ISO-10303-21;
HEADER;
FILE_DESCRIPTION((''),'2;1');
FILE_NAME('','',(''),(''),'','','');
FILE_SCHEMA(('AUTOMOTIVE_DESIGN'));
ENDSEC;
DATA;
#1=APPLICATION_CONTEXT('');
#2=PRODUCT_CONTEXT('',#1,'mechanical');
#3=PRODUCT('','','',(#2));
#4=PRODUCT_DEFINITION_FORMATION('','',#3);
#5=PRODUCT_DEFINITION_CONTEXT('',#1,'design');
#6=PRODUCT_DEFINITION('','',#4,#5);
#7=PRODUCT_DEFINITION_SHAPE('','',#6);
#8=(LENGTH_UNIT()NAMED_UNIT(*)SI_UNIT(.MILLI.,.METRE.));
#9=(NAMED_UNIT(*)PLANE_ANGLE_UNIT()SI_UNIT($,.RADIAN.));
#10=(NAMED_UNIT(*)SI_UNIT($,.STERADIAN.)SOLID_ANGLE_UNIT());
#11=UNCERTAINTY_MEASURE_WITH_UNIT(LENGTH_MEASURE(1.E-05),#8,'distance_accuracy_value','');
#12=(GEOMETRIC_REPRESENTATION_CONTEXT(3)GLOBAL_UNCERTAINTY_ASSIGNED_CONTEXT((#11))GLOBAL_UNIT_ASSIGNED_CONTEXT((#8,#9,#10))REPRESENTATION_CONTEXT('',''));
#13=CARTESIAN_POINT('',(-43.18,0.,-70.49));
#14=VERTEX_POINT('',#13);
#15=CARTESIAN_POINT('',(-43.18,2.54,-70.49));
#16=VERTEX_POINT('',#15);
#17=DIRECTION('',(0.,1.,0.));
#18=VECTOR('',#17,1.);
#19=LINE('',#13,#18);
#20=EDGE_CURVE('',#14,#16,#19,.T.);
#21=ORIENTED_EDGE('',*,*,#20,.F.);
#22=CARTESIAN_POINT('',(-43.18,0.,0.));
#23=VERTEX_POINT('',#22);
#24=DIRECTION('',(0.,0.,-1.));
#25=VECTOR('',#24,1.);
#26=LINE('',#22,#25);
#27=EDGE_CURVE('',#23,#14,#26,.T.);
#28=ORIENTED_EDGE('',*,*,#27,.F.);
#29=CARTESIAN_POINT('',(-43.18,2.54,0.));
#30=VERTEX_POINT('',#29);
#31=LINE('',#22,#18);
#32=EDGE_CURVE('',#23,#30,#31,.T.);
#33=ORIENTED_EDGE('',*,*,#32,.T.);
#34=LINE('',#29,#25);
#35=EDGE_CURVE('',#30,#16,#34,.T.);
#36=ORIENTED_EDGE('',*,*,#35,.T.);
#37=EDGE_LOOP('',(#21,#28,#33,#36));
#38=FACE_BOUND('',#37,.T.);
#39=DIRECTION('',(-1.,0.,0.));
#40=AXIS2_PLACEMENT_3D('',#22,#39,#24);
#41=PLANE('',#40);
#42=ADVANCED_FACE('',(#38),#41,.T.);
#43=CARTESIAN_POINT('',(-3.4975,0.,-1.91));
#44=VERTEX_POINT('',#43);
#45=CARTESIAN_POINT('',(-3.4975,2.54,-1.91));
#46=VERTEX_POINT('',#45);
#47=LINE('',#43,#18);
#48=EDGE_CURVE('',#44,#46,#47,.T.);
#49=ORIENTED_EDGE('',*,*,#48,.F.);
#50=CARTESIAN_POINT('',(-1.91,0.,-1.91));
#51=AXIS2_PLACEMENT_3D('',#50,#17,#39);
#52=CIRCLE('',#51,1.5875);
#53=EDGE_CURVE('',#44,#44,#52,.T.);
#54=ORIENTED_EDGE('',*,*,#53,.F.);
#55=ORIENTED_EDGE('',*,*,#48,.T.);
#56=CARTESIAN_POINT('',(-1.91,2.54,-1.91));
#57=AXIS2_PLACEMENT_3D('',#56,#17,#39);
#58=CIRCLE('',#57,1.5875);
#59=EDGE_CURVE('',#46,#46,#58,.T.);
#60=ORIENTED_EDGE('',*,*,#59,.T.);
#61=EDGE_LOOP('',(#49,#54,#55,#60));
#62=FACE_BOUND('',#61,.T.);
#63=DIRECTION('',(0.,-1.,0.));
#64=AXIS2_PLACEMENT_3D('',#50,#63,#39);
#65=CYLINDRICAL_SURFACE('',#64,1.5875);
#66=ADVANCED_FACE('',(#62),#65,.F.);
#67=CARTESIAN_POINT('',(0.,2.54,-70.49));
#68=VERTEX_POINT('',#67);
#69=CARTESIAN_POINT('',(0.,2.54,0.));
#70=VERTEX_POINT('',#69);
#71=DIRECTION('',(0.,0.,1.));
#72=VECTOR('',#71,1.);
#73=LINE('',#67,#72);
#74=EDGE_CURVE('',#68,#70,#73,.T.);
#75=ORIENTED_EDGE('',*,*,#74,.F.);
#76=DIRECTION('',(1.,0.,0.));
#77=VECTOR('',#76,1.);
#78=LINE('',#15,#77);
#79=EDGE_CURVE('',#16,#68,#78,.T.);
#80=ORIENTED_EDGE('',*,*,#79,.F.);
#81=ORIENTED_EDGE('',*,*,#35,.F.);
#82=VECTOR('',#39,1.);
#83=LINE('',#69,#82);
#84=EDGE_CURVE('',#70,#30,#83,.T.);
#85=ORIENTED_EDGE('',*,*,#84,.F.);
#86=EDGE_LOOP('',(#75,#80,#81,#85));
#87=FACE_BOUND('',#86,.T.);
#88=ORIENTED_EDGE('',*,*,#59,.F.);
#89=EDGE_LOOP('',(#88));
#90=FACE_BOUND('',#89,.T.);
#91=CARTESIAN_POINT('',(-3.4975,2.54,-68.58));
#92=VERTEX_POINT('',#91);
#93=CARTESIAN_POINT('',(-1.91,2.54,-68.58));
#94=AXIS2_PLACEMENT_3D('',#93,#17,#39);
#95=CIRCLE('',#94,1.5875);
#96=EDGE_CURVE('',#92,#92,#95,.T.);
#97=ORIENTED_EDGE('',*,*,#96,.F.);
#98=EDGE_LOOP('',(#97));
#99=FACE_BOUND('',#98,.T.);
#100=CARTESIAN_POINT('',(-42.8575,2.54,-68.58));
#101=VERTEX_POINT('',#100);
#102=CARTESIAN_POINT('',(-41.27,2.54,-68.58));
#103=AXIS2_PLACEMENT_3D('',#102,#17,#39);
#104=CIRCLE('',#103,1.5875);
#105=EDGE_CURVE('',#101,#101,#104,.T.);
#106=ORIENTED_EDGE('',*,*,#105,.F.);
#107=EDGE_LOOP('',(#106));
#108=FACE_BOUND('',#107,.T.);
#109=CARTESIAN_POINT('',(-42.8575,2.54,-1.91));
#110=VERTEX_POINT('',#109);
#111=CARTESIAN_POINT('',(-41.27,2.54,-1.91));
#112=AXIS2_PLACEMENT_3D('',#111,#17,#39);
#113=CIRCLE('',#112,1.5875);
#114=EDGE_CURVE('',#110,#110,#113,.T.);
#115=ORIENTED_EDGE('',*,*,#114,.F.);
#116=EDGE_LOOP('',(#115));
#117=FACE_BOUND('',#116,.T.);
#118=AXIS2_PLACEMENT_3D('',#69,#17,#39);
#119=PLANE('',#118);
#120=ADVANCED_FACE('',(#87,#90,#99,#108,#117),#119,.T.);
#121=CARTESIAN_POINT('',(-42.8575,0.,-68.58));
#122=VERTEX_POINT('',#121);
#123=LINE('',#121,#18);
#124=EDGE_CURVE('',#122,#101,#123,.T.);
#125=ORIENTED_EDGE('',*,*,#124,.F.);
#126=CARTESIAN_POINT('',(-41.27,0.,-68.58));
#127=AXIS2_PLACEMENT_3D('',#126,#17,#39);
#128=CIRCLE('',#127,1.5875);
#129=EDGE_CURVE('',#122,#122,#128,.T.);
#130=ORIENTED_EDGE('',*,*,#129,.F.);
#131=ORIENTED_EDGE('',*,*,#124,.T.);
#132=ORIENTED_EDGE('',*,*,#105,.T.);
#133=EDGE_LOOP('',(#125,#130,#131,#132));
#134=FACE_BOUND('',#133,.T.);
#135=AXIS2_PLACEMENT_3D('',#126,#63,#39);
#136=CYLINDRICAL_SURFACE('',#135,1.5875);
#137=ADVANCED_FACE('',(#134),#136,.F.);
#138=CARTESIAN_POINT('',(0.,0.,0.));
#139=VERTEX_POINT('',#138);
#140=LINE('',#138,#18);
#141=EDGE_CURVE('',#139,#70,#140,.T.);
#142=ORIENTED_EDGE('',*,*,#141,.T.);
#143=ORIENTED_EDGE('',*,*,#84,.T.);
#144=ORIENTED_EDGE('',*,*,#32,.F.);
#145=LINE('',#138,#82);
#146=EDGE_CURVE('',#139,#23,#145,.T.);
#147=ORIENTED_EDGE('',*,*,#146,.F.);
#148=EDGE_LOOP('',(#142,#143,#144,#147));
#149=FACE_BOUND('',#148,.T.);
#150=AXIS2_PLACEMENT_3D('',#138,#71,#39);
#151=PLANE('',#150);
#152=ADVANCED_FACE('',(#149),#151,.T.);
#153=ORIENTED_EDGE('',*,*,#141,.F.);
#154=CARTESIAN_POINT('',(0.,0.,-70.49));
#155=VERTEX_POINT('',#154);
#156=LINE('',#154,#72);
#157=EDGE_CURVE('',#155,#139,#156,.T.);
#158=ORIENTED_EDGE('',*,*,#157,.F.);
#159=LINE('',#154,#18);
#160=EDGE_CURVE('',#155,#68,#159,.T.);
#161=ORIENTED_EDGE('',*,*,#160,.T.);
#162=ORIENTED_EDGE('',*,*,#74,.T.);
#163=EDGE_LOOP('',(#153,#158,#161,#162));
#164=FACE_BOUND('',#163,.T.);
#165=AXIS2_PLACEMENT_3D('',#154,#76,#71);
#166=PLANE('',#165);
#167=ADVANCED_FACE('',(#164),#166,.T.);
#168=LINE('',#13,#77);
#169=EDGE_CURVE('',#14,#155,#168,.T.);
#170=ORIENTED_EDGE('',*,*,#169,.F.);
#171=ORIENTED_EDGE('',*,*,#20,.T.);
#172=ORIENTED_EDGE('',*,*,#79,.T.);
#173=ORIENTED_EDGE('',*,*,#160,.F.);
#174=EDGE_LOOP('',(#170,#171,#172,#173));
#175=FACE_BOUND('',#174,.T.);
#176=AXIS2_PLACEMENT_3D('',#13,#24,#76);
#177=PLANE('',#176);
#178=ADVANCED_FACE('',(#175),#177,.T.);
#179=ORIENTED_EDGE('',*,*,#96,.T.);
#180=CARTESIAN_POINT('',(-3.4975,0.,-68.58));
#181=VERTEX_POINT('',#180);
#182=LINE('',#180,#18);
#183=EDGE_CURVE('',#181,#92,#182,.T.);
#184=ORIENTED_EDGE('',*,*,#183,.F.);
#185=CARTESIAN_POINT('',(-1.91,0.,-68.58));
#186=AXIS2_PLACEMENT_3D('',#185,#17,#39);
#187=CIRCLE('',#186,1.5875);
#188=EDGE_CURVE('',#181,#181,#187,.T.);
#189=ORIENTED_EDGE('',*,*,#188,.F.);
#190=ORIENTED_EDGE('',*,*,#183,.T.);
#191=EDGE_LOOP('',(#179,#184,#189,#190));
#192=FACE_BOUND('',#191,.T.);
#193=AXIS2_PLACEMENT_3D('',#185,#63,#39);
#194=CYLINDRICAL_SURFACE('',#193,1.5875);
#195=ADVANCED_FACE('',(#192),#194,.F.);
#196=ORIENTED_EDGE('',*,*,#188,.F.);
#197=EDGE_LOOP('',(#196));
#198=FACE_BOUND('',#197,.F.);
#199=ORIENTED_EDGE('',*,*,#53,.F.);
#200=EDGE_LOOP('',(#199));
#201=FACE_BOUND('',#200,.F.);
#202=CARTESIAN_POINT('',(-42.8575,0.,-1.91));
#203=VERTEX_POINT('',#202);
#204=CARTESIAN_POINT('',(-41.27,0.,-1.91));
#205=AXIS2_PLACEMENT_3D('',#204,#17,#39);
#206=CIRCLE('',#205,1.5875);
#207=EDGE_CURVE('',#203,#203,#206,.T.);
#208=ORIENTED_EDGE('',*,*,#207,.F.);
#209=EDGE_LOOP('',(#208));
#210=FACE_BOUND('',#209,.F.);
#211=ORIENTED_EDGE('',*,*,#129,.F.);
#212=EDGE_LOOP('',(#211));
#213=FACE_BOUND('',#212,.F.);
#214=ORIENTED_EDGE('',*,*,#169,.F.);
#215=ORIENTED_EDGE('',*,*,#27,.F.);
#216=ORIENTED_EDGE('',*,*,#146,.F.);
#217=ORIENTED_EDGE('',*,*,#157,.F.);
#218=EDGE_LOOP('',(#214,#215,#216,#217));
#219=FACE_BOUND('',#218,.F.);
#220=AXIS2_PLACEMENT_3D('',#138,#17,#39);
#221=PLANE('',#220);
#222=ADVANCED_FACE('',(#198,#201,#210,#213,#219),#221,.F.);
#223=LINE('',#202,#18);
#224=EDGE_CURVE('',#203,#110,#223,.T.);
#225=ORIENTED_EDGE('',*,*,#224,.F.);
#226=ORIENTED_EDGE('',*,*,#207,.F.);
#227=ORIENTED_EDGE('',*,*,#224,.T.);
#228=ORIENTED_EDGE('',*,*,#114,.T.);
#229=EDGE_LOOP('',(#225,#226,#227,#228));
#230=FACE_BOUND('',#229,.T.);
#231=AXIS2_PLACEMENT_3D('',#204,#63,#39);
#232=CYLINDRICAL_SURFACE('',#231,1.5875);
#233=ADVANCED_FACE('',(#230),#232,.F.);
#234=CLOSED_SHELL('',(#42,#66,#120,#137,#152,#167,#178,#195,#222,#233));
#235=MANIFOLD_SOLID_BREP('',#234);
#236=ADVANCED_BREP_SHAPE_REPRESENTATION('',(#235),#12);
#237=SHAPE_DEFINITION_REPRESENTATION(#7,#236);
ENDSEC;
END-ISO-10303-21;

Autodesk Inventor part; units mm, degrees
ref_plane "YZ Plane" through (0, 0, 0) normal (1, 0, 0) x (0, 1, 0)
ref_plane "XZ Plane" through (0, 0, 0) normal (0, 1, 0) x (-1, 0, 0)
ref_plane "XY Plane" through (0, 0, 0) normal (0, 0, 1) x (1, 0, 0)
sketch "Sketch1" plane through (0, 0, 0) normal (0, 1, 0) x (-1, 0, 0)
  line L0 (0, 0) -> (43.18, 0)
  line L1 (43.18, 0) -> (43.18, -70.49)
  line L2 (43.18, -70.49) -> (0, -70.49)
  line L3 (0, -70.49) -> (0, 0)
  circle A0 centre (41.27, -1.91) radius 1.5875
  circle A1 centre (41.27, -68.58) radius 1.5875
  circle A2 centre (1.91, -1.91) radius 1.5875
  circle A3 centre (1.91, -68.58) radius 1.5875
  dimension "d0" = 70.49
  dimension "d1" = 43.18
  dimension "d3" = 3.175
  dimension "d4" = 3.175
  dimension "d6" = 1.91
  dimension "d7" = 1.91
  dimension "d8" = 1.91
  dimension "d9" = 3.175
  dimension "d10" = 3.175
  dimension "d11" = 1.91
  dimension "d12" = 1.91
  dimension "d13" = 1.91
  dimension "d14" = 1.91
  dimension "d15" = 1.91
extrude "Extrusion1" add sketch "Sketch1" along normal blind 2.54
properties part number "PCB_BOARD_DREMEL_HOLES"
